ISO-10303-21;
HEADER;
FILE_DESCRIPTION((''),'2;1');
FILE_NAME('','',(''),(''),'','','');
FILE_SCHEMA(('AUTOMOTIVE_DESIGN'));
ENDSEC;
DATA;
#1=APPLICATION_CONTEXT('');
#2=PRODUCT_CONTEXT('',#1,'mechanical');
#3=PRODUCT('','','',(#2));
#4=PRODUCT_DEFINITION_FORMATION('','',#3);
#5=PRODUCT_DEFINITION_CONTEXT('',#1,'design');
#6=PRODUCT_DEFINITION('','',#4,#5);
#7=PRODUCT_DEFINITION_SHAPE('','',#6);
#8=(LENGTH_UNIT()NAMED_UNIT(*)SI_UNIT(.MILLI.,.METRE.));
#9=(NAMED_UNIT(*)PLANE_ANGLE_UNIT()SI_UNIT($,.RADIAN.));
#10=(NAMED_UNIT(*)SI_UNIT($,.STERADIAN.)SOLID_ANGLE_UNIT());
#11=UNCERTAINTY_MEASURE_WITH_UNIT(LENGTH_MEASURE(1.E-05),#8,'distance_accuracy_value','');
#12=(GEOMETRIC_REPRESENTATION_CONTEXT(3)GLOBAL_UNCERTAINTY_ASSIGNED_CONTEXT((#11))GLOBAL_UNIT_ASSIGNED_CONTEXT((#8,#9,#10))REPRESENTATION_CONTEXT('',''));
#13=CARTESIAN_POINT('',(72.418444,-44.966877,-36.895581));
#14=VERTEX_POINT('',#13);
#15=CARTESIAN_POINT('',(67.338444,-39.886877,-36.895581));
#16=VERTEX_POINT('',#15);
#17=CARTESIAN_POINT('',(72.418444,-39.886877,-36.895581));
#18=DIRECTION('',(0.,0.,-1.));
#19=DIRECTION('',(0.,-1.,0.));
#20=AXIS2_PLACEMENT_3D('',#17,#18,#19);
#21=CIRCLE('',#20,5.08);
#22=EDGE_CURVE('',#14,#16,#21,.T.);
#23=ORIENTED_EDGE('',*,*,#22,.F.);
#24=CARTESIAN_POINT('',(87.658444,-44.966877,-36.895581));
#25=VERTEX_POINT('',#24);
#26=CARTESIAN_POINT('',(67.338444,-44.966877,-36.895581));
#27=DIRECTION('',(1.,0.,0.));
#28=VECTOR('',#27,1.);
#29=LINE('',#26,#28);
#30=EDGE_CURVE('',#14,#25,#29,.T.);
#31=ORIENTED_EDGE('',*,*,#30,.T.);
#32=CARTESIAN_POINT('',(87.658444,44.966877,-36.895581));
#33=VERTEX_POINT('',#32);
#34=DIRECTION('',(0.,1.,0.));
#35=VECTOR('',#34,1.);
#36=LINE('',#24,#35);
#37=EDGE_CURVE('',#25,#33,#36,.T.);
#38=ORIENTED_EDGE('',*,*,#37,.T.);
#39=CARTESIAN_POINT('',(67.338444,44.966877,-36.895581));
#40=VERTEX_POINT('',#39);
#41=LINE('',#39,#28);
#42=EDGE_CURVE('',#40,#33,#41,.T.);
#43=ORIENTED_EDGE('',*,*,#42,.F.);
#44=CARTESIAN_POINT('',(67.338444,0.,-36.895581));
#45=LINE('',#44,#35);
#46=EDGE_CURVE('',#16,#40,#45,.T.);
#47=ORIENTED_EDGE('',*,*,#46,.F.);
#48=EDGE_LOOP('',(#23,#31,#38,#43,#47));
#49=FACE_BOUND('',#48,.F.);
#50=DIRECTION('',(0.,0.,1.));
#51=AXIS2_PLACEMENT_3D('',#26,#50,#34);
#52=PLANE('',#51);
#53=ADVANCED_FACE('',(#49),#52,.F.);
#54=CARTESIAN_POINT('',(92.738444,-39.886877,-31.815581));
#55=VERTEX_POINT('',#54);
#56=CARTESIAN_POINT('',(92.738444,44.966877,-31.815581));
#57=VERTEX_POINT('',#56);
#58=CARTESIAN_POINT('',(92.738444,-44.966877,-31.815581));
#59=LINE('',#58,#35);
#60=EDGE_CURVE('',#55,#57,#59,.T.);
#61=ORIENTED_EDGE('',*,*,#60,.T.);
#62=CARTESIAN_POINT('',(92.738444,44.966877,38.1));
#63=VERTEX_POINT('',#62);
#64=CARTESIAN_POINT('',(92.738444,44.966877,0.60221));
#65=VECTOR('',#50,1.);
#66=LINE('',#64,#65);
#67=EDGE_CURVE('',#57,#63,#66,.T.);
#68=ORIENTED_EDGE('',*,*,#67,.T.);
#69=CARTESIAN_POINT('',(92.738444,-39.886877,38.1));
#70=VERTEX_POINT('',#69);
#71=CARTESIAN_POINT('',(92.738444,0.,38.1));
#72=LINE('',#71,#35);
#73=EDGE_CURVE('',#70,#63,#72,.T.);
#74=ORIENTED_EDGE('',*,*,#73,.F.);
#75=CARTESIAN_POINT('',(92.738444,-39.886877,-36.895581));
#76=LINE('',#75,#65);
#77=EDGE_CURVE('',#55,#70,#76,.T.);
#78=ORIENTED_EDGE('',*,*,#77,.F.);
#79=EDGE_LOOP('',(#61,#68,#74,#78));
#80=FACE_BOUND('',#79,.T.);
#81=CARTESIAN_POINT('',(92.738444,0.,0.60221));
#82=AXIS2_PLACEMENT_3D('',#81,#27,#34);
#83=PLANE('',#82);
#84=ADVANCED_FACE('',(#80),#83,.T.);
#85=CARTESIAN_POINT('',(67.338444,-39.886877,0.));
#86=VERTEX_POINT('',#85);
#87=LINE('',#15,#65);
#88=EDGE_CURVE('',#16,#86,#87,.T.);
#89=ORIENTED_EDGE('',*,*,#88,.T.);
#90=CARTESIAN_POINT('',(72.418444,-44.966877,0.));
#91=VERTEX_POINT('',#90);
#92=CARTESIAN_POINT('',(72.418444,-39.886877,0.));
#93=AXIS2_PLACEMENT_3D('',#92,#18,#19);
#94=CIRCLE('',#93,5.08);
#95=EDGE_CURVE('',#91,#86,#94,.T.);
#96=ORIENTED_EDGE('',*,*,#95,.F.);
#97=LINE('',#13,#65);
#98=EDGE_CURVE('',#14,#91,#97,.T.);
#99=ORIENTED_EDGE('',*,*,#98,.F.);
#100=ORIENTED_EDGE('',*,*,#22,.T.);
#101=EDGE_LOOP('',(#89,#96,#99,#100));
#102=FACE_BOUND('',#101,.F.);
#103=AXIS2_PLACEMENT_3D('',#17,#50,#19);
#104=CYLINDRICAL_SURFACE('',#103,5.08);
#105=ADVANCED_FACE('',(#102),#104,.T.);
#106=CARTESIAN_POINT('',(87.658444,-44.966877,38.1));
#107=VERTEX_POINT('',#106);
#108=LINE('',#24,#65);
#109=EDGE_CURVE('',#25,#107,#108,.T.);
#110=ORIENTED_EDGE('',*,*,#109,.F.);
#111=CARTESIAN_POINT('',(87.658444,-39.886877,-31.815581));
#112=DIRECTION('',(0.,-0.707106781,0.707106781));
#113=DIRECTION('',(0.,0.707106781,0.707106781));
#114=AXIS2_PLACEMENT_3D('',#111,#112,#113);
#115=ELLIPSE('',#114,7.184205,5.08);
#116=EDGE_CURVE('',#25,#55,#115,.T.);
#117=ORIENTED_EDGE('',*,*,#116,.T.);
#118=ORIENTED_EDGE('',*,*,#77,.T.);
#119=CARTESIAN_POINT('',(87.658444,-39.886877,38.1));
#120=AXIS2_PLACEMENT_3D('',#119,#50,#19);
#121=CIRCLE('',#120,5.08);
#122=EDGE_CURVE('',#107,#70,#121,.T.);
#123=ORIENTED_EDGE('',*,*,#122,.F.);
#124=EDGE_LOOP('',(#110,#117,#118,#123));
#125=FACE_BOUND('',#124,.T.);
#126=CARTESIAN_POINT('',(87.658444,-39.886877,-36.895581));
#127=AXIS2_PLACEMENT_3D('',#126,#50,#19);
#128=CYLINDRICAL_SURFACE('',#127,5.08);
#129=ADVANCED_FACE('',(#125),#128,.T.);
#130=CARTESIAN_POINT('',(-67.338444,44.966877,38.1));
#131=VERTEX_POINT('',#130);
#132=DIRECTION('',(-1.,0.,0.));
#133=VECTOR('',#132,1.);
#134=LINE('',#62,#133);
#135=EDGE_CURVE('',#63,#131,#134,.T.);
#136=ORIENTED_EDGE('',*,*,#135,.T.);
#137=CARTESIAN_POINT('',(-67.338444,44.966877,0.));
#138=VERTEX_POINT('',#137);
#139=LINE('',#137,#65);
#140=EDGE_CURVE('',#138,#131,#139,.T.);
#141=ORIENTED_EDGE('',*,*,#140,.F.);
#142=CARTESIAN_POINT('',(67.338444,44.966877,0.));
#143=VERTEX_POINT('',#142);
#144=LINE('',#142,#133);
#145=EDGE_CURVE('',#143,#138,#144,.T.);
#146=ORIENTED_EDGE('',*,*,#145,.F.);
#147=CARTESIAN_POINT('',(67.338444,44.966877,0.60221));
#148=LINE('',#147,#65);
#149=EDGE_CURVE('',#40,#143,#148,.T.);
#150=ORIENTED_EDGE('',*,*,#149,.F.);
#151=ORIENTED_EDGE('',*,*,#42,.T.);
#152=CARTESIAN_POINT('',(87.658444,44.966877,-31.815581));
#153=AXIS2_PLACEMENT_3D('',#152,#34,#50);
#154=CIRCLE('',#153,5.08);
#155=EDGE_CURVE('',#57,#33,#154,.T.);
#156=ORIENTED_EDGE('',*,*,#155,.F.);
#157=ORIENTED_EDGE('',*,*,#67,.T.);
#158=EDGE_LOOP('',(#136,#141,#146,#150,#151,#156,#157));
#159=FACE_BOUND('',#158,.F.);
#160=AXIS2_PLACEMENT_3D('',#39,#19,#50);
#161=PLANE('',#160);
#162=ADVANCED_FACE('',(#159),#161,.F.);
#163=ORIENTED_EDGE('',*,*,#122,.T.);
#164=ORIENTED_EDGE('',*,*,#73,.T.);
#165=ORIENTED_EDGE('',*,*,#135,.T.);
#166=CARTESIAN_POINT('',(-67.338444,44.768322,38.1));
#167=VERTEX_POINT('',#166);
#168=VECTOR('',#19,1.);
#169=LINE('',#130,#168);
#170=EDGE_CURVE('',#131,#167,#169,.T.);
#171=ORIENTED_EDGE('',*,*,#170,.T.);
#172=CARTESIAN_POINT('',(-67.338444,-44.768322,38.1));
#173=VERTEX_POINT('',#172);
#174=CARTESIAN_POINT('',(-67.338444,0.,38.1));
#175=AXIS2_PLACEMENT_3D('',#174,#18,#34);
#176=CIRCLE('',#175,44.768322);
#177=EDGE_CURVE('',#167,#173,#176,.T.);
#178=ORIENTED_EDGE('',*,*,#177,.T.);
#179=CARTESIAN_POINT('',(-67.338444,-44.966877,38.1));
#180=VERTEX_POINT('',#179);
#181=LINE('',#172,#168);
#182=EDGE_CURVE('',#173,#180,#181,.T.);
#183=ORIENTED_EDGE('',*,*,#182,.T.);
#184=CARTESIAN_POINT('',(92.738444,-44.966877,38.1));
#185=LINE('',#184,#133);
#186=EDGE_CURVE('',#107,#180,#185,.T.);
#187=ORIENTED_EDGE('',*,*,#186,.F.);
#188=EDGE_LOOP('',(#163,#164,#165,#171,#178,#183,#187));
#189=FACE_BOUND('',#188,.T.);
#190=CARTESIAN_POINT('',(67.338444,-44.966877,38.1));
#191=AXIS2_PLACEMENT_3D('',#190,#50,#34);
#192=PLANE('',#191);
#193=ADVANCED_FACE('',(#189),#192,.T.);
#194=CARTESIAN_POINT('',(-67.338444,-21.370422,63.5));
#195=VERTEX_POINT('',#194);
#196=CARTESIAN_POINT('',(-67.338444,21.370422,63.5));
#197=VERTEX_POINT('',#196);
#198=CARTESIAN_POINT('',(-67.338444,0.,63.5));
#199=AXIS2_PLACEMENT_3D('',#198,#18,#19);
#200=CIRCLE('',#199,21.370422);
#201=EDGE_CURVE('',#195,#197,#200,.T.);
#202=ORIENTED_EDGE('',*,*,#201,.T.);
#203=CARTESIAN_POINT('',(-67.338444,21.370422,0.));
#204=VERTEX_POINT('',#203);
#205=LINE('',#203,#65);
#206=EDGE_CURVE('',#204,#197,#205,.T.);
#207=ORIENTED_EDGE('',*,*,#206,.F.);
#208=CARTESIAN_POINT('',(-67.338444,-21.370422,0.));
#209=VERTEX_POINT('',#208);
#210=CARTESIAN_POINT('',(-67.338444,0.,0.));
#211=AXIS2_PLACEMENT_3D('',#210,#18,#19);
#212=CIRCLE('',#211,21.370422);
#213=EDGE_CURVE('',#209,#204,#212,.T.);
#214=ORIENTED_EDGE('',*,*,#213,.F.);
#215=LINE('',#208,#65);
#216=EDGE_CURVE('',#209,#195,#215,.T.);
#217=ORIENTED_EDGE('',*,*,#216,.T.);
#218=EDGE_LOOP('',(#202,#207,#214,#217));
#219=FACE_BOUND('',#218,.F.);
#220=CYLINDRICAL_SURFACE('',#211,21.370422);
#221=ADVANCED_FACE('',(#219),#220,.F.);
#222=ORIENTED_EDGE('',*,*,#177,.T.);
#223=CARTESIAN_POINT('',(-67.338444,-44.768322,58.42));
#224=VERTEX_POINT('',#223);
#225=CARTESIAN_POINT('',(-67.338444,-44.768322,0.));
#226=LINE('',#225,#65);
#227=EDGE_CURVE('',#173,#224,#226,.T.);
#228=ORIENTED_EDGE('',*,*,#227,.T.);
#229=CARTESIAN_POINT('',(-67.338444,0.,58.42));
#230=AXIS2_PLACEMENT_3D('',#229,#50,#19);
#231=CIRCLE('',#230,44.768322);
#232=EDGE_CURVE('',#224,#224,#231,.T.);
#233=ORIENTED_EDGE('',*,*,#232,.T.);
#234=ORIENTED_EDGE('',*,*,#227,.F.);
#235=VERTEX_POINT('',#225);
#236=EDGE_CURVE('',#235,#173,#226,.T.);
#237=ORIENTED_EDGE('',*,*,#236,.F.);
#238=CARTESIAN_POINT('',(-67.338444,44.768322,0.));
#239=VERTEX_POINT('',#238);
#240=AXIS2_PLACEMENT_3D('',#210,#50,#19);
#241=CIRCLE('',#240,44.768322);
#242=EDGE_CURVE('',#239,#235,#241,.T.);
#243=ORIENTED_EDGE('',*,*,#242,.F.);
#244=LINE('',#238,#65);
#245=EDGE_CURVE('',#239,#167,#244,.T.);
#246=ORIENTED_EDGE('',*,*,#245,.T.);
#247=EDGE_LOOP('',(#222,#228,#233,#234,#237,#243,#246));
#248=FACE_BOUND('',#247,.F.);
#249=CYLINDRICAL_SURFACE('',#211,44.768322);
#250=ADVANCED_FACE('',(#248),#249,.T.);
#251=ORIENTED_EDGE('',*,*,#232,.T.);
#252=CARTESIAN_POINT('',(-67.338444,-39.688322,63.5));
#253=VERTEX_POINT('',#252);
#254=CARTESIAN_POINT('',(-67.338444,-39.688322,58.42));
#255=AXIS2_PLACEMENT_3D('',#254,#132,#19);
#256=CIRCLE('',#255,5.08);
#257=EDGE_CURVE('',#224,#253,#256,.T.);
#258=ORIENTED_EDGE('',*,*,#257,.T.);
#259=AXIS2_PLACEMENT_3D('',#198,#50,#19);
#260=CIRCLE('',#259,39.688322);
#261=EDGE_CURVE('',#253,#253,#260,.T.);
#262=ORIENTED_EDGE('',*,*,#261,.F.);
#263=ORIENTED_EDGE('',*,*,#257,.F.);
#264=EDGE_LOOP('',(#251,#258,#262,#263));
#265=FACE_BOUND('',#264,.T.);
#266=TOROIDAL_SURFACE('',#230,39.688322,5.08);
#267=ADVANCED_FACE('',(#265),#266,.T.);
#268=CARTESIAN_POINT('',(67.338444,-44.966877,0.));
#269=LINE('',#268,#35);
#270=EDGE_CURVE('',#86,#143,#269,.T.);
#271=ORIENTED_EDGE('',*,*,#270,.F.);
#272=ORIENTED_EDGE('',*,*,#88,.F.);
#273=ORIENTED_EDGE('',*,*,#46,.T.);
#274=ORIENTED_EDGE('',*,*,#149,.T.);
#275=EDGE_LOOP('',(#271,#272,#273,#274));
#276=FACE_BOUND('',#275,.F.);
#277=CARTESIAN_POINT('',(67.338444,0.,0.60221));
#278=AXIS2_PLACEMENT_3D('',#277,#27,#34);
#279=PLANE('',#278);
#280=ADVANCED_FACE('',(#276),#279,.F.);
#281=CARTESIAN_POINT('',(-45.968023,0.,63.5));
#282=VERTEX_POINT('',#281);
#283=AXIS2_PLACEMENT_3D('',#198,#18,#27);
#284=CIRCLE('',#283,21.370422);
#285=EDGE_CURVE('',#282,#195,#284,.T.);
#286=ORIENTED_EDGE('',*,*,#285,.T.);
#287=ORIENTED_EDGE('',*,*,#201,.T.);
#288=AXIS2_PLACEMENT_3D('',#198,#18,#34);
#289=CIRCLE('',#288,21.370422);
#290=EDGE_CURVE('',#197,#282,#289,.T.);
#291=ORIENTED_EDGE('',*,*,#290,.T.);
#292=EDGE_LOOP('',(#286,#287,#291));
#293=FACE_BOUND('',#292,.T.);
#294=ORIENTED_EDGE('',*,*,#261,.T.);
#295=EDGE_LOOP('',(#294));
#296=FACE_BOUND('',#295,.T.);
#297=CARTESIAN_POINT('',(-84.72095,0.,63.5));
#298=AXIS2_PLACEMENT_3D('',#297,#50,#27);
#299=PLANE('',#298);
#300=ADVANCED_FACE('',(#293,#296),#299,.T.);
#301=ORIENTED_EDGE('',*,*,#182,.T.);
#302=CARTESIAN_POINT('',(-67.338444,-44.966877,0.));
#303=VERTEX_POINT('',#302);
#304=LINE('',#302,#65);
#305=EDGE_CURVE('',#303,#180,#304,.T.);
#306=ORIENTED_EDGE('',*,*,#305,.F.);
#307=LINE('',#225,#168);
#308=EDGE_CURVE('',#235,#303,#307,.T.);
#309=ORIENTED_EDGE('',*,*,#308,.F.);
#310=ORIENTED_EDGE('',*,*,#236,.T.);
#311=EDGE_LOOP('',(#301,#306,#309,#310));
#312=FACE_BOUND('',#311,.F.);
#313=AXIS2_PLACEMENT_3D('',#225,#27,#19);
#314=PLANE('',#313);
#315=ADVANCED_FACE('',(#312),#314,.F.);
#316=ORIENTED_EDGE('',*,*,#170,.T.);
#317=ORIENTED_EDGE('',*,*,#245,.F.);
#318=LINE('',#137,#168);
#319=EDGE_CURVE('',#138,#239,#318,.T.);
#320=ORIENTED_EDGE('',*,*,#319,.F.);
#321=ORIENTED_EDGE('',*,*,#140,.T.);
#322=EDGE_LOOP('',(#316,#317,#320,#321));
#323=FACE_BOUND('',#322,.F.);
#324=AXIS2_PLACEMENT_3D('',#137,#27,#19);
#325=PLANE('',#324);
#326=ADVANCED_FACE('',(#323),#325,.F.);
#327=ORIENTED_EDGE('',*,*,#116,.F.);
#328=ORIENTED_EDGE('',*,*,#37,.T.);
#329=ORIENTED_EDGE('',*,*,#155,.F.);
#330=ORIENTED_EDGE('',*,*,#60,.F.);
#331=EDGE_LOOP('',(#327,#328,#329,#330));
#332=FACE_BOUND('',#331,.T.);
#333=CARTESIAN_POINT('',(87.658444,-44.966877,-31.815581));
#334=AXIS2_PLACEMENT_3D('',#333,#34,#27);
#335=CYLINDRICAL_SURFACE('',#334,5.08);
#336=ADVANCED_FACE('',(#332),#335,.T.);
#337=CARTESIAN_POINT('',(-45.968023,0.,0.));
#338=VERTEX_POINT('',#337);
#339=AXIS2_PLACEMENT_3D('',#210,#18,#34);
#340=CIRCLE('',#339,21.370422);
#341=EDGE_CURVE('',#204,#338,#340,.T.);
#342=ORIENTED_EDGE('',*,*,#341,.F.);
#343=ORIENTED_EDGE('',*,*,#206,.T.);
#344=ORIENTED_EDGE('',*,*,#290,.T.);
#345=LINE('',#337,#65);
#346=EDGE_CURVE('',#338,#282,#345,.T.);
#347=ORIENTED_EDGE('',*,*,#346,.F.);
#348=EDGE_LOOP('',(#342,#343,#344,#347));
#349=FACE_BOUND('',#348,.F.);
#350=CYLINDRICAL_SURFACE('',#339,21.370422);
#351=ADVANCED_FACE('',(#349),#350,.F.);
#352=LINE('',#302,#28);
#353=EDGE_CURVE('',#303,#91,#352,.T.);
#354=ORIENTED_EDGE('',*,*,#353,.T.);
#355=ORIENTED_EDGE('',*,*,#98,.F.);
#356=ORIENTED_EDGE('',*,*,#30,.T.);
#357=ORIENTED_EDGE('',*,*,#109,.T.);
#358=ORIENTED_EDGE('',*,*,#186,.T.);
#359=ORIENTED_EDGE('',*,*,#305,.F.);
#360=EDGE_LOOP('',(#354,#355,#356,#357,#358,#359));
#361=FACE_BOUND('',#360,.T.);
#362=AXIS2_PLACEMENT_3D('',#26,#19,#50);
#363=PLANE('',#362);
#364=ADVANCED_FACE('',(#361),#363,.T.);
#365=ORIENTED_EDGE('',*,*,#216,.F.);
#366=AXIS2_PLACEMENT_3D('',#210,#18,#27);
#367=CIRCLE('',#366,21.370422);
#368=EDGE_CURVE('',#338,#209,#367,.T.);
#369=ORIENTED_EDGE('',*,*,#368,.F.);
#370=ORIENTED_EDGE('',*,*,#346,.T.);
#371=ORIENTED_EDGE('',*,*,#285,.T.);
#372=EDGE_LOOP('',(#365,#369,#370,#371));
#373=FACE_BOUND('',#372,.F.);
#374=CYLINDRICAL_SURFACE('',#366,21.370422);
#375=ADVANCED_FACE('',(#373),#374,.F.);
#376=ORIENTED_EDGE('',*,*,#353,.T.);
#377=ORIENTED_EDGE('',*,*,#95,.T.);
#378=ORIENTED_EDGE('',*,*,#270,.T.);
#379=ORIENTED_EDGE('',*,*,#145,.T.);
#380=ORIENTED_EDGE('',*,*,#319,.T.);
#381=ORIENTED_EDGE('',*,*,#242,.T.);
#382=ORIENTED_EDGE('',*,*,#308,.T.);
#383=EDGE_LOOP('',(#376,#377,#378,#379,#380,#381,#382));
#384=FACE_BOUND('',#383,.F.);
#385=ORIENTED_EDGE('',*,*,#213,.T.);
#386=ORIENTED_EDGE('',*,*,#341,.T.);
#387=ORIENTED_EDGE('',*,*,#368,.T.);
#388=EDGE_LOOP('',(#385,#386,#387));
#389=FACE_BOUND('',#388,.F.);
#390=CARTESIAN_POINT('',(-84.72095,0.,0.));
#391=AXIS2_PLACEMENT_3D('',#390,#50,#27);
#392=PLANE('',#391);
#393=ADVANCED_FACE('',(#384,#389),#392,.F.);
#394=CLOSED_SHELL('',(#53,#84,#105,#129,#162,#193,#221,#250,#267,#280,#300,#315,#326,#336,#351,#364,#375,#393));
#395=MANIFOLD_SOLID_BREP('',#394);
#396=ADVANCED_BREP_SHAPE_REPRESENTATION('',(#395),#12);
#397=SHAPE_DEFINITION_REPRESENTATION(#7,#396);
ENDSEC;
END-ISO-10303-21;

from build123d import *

# Parameters (mm, degrees)
F1_DEPTH = 38.1
F2_DEPTH = 63.5
F3_R     = 5.08
F4_W     = 89.9337530136
F4_H     = 74.9955805898
F5_DEPTH = 25.4
F6_R     = 5.08


with BuildPart() as f1:
    # F0 (on Top) → F1 (new body)
    with BuildSketch(Plane.XY):
        with BuildLine():
            Line((67.3384442925, 44.9668765068), (-67.3384442925, 44.9668765068))
            Line((-67.3384442925, 44.9668765068), (-67.3384442925, 44.7683221654))
            ThreePointArc((-67.3384442925, 44.7683221654), (-35.682460107, 31.6559841855), (-22.5701221271, 0))
            ThreePointArc((-22.5701221271, 0), (-35.682460107, -31.6559841855), (-67.3384442925, -44.7683221654))
            Line((-67.3384442925, -44.7683221654), (-67.3384442925, -44.9668765068))
            Line((-67.3384442925, -44.9668765068), (67.3384442925, -44.9668765068))
            Line((67.3384442925, -44.9668765068), (67.3384442925, 44.9668765068))
        make_face()
    extrude(amount=F1_DEPTH)

    # F0 (on Top) → F2 (join)
    with BuildSketch(Plane.XY):
        with BuildLine():
            Line((-67.3384442925, 21.3704215864), (-67.3384442925, 44.7683221654))
            ThreePointArc((-67.3384442925, 44.7683221654), (-112.1067664579, 0), (-67.3384442925, -44.7683221654))
            Line((-67.3384442925, -44.7683221654), (-67.3384442925, -21.3704215864))
            ThreePointArc((-67.3384442925, -21.3704215864), (-88.7088658789, 0), (-67.3384442925, 21.3704215864))
        make_face()
        with BuildLine():
            ThreePointArc((-22.5701221271, 0), (-35.682460107, 31.6559841855), (-67.3384442925, 44.7683221654))
            Line((-67.3384442925, 44.7683221654), (-67.3384442925, 21.3704215864))
            ThreePointArc((-67.3384442925, 21.3704215864), (-52.227274272, 15.1111700206), (-45.9680227061, 0))
            ThreePointArc((-45.9680227061, 0), (-52.227274272, -15.1111700206), (-67.3384442925, -21.3704215864))
            Line((-67.3384442925, -21.3704215864), (-67.3384442925, -44.7683221654))
            ThreePointArc((-67.3384442925, -44.7683221654), (-35.682460107, -31.6559841855), (-22.5701221271, 0))
        make_face()
    extrude(amount=F2_DEPTH)

    # F3
    f3_edges = [f1.edges().sort_by_distance(p)[0] for p in [
        (-67.338444, 44.768322, 63.5),
    ]]
    fillet(f3_edges, radius=F3_R)

    # F4 (on face) → F5 (join)
    with BuildSketch(Plane.YZ.offset(67.3384442925)):
        with Locations((0, 0.6022097051)):
            Rectangle(F4_W, F4_H)
    extrude(amount=F5_DEPTH)

    # F6
    f6_edges = [f1.edges().sort_by_distance(p)[0] for p in [
        (92.738444, -44.966877, 0.60221),
        (67.338444, -44.966877, -18.44779),
        (92.738444, 0, -36.895581),
    ]]
    fillet(f6_edges, radius=F6_R)


solid = f1.part
